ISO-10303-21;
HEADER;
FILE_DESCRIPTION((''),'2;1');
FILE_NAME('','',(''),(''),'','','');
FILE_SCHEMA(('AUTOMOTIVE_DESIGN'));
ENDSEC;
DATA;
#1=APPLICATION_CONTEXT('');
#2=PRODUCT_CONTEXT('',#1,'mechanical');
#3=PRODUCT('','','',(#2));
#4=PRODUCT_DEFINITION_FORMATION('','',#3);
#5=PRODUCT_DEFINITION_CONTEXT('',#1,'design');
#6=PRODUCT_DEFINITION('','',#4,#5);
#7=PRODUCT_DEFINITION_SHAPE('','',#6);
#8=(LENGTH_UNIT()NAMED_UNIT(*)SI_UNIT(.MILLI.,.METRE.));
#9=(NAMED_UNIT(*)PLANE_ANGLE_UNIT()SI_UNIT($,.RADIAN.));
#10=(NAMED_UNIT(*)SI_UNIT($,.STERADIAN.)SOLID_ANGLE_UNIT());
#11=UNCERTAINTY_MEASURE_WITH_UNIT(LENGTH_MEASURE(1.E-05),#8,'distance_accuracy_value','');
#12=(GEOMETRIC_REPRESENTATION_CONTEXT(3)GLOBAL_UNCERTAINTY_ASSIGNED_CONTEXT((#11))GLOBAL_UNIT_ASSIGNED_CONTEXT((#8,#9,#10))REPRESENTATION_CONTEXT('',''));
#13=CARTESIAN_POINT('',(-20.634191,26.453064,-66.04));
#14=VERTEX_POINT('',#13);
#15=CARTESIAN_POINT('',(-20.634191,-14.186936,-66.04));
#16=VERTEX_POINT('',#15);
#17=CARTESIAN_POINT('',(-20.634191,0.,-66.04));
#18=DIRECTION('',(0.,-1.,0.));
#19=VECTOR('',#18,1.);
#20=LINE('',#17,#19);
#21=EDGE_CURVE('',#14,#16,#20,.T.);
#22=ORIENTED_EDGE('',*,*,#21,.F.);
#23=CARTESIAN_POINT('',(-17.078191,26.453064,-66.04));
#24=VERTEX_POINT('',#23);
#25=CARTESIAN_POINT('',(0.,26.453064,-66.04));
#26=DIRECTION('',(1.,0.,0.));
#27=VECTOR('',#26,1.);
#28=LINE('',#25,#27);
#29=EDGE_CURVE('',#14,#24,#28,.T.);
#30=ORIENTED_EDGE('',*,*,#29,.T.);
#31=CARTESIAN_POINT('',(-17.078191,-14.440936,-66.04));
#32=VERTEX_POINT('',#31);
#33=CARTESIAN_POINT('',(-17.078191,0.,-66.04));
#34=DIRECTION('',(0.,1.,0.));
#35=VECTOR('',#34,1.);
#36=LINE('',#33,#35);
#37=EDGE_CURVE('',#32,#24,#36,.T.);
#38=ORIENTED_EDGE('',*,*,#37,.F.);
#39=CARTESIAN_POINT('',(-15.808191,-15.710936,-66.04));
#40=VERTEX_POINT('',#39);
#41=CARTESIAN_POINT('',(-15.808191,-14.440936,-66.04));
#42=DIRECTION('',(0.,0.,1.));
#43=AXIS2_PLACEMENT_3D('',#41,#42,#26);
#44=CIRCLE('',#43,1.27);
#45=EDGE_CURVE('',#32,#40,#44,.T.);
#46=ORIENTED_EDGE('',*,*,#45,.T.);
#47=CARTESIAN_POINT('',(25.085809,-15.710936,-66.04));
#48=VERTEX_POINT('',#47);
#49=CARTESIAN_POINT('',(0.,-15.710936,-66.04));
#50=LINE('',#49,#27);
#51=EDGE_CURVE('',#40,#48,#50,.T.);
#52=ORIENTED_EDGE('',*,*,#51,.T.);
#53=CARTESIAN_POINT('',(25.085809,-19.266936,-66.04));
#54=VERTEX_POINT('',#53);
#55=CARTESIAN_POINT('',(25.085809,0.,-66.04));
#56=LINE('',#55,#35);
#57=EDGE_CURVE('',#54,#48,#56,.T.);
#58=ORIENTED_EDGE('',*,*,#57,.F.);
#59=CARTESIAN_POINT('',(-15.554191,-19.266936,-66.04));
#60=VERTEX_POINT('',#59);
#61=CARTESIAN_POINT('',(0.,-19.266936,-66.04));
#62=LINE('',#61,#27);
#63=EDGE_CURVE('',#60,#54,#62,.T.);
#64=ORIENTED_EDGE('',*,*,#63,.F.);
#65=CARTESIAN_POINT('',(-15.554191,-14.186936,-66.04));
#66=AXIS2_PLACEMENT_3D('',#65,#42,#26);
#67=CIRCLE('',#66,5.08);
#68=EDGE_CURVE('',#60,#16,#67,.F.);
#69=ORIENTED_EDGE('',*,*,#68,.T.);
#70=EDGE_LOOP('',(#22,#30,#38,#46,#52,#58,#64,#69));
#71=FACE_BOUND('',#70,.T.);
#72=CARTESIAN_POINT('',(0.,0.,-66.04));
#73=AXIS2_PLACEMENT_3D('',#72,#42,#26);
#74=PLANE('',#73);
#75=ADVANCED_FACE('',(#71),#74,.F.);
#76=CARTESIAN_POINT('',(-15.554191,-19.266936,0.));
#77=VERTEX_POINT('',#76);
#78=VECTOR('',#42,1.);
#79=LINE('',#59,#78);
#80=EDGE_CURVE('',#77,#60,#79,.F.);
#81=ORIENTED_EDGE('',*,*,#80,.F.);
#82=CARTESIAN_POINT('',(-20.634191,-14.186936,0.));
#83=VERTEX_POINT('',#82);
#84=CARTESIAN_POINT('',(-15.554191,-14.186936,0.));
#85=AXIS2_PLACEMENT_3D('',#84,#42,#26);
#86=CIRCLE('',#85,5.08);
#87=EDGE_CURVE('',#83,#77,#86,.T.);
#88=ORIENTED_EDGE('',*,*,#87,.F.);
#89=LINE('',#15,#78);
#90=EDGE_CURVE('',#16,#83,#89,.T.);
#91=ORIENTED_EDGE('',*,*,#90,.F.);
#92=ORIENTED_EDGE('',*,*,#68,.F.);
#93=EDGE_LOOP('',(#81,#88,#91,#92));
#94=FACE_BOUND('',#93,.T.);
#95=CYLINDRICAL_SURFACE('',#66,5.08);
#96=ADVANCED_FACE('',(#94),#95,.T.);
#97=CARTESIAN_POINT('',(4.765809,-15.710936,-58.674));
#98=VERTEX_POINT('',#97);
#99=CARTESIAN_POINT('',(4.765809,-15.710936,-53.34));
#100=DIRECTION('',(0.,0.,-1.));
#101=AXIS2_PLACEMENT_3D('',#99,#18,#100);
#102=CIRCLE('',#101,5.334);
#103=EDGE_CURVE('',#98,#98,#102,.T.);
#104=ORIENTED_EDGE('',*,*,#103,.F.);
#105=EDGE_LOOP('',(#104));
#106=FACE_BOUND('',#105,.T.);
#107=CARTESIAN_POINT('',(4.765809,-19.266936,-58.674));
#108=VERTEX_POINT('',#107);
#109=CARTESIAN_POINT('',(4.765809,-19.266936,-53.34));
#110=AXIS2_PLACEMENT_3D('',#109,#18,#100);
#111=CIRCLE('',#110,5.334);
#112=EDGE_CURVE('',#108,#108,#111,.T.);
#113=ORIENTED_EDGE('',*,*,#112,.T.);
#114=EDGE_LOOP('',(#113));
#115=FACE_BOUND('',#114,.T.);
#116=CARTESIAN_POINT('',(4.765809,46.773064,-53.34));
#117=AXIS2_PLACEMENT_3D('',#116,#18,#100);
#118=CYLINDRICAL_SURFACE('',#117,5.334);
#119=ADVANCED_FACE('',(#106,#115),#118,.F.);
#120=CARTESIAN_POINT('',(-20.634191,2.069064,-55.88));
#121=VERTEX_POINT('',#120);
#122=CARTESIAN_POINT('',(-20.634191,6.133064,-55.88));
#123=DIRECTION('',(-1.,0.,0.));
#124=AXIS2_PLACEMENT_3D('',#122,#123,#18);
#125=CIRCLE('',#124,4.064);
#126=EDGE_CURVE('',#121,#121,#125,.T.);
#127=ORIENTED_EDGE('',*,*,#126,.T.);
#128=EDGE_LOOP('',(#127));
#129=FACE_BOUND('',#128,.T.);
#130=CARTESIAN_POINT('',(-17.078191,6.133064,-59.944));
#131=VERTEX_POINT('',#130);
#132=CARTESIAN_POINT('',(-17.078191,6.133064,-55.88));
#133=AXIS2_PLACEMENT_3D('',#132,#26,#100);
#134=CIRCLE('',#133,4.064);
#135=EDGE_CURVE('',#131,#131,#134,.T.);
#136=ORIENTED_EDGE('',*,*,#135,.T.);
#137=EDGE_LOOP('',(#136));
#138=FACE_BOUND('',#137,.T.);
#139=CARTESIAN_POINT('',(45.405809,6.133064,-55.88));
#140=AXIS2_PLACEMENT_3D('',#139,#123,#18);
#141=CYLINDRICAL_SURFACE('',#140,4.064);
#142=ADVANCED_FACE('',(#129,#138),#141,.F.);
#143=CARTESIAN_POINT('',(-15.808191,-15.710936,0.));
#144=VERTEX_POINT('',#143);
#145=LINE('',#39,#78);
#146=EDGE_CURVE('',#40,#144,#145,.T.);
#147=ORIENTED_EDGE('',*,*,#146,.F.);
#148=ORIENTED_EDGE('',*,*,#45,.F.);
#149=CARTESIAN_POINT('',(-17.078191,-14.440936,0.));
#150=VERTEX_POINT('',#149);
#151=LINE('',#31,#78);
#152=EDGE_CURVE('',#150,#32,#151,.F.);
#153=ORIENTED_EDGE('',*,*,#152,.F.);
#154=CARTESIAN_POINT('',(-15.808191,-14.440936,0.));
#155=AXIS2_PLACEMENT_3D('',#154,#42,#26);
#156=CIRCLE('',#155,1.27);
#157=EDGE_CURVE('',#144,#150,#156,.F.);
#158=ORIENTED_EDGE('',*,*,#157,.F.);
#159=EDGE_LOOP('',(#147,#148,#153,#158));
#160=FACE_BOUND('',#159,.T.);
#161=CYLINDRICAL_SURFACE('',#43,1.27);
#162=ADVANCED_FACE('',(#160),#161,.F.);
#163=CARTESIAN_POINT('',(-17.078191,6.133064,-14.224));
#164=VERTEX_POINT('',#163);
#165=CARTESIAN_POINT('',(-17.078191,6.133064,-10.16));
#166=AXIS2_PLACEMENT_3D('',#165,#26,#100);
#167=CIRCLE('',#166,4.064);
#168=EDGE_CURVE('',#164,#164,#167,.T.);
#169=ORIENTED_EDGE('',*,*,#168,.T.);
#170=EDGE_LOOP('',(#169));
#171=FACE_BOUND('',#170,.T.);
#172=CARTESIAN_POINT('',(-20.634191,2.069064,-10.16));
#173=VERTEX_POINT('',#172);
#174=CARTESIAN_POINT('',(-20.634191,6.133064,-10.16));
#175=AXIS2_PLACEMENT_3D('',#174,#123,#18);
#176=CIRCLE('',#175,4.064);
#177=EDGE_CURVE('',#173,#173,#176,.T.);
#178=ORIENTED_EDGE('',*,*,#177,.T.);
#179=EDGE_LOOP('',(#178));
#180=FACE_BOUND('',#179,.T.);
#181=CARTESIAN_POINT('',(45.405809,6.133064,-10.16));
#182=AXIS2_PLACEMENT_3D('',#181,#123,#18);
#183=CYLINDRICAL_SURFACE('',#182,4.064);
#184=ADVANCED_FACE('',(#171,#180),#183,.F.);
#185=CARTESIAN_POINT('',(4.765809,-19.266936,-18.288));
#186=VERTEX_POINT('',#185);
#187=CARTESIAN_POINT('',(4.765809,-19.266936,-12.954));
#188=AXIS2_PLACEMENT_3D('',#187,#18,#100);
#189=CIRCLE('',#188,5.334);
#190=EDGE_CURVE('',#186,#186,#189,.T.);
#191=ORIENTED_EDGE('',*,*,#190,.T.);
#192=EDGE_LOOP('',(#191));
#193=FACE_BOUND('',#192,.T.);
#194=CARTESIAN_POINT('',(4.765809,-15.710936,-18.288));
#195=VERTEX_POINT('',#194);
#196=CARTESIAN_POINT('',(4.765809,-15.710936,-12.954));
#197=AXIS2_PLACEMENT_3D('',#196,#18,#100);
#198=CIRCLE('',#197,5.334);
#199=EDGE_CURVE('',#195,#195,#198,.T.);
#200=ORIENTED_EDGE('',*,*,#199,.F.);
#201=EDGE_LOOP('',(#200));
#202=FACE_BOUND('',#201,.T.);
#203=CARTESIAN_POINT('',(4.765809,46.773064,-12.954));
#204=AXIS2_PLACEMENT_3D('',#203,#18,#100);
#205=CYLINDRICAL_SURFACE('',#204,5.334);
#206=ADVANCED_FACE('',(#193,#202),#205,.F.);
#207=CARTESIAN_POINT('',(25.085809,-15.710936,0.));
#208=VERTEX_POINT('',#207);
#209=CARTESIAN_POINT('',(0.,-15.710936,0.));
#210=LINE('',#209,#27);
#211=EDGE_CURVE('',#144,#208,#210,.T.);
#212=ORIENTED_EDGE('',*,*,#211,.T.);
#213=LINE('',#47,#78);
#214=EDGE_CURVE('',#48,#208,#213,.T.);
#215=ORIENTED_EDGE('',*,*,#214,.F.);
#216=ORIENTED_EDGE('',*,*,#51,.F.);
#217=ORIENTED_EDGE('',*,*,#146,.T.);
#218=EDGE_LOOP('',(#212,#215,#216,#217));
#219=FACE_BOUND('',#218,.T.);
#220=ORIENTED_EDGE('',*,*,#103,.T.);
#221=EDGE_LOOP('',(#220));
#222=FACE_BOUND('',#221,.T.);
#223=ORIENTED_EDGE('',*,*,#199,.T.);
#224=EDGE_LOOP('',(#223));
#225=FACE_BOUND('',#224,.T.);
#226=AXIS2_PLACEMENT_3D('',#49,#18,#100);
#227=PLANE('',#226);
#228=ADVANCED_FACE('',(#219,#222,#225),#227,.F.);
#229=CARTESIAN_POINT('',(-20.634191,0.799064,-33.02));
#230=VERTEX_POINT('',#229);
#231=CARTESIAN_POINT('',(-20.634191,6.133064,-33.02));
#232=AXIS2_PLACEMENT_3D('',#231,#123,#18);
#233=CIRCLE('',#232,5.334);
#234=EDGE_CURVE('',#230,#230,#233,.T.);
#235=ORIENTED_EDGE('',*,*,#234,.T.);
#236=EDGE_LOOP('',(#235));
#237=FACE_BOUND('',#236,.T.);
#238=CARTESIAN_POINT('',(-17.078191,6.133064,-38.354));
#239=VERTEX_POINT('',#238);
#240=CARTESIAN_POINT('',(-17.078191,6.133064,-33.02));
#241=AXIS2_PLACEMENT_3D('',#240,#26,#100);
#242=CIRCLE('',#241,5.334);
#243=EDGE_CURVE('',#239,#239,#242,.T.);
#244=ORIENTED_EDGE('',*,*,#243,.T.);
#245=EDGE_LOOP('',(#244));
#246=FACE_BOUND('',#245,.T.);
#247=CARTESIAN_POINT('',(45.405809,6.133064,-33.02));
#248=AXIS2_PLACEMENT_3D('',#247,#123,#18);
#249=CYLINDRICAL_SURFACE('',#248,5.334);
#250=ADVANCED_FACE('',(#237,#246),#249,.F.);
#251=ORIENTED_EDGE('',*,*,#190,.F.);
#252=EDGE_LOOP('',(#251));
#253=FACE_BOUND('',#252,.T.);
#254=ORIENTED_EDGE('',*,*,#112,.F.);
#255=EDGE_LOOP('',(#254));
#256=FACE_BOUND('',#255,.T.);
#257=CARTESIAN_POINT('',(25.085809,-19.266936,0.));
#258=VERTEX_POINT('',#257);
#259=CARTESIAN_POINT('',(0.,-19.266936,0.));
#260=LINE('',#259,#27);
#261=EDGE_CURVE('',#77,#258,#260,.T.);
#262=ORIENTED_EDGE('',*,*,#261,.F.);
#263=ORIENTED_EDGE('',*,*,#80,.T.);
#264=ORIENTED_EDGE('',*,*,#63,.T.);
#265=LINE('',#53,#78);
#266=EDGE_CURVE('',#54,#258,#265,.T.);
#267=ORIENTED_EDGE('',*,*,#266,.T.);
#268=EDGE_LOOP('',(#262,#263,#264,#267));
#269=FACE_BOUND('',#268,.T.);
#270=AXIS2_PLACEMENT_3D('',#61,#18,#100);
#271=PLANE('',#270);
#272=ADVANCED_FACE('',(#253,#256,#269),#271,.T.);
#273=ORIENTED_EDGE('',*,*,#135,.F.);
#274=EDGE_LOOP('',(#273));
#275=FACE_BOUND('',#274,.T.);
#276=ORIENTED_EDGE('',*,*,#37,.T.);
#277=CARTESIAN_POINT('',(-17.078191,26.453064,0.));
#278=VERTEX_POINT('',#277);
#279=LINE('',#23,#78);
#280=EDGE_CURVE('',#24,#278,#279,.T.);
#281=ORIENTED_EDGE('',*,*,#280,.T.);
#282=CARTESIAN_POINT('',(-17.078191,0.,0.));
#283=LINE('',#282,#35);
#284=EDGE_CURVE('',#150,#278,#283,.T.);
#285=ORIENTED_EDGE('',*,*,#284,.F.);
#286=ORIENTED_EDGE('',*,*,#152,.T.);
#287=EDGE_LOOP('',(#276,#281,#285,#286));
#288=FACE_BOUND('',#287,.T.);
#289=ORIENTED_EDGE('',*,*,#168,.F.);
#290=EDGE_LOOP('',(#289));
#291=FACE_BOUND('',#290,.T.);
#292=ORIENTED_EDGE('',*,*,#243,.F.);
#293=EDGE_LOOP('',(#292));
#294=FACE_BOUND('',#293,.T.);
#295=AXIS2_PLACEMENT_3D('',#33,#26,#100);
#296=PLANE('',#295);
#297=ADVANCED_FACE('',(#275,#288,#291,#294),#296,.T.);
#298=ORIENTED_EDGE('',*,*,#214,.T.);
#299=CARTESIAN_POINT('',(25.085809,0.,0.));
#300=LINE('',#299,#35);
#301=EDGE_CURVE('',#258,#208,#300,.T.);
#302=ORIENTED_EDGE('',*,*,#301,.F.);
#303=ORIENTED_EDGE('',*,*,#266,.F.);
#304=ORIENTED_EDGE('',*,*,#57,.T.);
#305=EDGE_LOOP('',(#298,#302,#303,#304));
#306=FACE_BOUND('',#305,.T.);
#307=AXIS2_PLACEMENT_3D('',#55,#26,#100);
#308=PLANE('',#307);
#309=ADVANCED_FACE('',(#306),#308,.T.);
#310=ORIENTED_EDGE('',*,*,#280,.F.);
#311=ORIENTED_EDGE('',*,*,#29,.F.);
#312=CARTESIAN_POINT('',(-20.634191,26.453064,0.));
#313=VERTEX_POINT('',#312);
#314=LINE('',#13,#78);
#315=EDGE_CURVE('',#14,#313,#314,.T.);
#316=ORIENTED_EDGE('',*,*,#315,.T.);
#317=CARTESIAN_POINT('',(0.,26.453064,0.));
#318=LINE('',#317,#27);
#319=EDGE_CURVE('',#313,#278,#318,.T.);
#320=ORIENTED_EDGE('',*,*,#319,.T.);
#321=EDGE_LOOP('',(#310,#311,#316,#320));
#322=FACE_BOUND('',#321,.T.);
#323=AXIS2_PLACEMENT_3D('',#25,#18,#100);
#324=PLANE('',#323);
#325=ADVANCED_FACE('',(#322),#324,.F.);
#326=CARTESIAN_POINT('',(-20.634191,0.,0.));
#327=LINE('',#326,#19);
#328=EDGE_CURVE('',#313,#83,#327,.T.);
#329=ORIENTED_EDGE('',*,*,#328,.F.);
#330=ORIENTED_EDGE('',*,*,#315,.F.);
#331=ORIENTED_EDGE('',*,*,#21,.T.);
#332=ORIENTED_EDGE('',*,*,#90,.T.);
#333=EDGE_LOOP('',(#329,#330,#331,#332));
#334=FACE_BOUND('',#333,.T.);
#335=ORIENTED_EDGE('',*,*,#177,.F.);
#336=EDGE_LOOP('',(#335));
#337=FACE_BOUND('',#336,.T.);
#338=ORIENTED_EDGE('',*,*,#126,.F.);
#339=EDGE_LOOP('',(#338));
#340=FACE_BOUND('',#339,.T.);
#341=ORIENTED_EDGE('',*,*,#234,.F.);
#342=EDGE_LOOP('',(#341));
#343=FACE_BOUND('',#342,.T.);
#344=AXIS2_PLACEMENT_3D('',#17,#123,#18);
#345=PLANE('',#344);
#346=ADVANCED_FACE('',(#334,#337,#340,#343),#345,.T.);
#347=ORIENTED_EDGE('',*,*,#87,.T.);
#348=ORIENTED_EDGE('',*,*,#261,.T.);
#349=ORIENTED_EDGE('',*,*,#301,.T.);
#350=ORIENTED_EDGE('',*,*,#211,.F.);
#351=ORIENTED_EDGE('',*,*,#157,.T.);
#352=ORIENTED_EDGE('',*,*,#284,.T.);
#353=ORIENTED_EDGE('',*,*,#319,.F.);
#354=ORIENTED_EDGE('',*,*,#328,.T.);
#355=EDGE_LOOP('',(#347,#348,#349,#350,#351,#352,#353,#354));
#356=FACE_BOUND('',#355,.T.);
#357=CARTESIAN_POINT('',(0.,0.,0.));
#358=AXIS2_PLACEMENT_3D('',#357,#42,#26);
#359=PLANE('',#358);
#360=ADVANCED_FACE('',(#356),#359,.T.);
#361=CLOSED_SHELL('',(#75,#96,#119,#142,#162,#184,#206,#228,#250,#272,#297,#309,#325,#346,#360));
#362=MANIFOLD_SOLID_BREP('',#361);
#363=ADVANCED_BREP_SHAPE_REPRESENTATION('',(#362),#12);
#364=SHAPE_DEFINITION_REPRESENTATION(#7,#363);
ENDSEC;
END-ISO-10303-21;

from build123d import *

# Parameters (mm, degrees)
BOSS_EXTRUDE1_DEPTH = 66.04
FILLET1_R           = 1.27
FILLET3_R           = 5.08
SKETCH2_R           = 5.334
SKETCH2_R_2         = 4.064
CUT_EXTRUDE1_DEPTH  = 66.04
SKETCH3_R           = 5.334
CUT_EXTRUDE2_DEPTH  = 66.04


with BuildPart() as part:
    # Sketch1 → Boss-Extrude1 (new body)
    with BuildSketch(Plane.XY):
        Polygon((-20.634190635, 26.453063941), (-20.634190635, -19.266936059), (25.085809365, -19.266936059), (25.085809365, -15.710936059), (-17.078190635, -15.710936059), (-17.078190635, 26.453063941), align=None)
    extrude(amount=-BOSS_EXTRUDE1_DEPTH)

    # Fillet1
    fillet1_edges = [part.edges().sort_by_distance(p)[0] for p in [
        (-17.078190635, -15.710936059, -33.02),
    ]]
    fillet(fillet1_edges, radius=FILLET1_R)

    # Fillet3
    fillet3_edges = [part.edges().sort_by_distance(p)[0] for p in [
        (-20.634190635, -19.266936059, -33.02),
    ]]
    fillet(fillet3_edges, radius=FILLET3_R)

    # Sketch2 → Cut-Extrude1 (cut)
    with BuildSketch(Plane.ZY.offset(20.634190635)):
        with Locations(Location((-33.02, 6.133063941, 0), (0, 0, 270))):  # turned: the seam where the file's is
            Circle(SKETCH2_R)
        with Locations(Location((-55.88, 6.133063941, 0), (0, 0, 270))):  # turned: the seam where the file's is
            Circle(SKETCH2_R_2)
        with Locations(Location((-10.16, 6.133063941, 0), (0, 0, 270))):  # turned: the seam where the file's is
            Circle(SKETCH2_R_2)
    extrude(amount=-CUT_EXTRUDE1_DEPTH, mode=Mode.SUBTRACT)

    # Sketch3 → Cut-Extrude2 (cut)
    with BuildSketch(Plane(origin=(0, -19.266936059, 0), x_dir=(-1, 0, 0), z_dir=(0, -1, 0))):
        with Locations(Location((-4.765809365, 12.954, 0), (0, 0, 90))):  # turned: the seam where the file's is
            Circle(SKETCH3_R)
        with Locations(Location((-4.765809365, 53.34, 0), (0, 0, 90))):  # turned: the seam where the file's is
            Circle(SKETCH3_R)
    extrude(amount=-CUT_EXTRUDE2_DEPTH, mode=Mode.SUBTRACT)


solid = part.part
